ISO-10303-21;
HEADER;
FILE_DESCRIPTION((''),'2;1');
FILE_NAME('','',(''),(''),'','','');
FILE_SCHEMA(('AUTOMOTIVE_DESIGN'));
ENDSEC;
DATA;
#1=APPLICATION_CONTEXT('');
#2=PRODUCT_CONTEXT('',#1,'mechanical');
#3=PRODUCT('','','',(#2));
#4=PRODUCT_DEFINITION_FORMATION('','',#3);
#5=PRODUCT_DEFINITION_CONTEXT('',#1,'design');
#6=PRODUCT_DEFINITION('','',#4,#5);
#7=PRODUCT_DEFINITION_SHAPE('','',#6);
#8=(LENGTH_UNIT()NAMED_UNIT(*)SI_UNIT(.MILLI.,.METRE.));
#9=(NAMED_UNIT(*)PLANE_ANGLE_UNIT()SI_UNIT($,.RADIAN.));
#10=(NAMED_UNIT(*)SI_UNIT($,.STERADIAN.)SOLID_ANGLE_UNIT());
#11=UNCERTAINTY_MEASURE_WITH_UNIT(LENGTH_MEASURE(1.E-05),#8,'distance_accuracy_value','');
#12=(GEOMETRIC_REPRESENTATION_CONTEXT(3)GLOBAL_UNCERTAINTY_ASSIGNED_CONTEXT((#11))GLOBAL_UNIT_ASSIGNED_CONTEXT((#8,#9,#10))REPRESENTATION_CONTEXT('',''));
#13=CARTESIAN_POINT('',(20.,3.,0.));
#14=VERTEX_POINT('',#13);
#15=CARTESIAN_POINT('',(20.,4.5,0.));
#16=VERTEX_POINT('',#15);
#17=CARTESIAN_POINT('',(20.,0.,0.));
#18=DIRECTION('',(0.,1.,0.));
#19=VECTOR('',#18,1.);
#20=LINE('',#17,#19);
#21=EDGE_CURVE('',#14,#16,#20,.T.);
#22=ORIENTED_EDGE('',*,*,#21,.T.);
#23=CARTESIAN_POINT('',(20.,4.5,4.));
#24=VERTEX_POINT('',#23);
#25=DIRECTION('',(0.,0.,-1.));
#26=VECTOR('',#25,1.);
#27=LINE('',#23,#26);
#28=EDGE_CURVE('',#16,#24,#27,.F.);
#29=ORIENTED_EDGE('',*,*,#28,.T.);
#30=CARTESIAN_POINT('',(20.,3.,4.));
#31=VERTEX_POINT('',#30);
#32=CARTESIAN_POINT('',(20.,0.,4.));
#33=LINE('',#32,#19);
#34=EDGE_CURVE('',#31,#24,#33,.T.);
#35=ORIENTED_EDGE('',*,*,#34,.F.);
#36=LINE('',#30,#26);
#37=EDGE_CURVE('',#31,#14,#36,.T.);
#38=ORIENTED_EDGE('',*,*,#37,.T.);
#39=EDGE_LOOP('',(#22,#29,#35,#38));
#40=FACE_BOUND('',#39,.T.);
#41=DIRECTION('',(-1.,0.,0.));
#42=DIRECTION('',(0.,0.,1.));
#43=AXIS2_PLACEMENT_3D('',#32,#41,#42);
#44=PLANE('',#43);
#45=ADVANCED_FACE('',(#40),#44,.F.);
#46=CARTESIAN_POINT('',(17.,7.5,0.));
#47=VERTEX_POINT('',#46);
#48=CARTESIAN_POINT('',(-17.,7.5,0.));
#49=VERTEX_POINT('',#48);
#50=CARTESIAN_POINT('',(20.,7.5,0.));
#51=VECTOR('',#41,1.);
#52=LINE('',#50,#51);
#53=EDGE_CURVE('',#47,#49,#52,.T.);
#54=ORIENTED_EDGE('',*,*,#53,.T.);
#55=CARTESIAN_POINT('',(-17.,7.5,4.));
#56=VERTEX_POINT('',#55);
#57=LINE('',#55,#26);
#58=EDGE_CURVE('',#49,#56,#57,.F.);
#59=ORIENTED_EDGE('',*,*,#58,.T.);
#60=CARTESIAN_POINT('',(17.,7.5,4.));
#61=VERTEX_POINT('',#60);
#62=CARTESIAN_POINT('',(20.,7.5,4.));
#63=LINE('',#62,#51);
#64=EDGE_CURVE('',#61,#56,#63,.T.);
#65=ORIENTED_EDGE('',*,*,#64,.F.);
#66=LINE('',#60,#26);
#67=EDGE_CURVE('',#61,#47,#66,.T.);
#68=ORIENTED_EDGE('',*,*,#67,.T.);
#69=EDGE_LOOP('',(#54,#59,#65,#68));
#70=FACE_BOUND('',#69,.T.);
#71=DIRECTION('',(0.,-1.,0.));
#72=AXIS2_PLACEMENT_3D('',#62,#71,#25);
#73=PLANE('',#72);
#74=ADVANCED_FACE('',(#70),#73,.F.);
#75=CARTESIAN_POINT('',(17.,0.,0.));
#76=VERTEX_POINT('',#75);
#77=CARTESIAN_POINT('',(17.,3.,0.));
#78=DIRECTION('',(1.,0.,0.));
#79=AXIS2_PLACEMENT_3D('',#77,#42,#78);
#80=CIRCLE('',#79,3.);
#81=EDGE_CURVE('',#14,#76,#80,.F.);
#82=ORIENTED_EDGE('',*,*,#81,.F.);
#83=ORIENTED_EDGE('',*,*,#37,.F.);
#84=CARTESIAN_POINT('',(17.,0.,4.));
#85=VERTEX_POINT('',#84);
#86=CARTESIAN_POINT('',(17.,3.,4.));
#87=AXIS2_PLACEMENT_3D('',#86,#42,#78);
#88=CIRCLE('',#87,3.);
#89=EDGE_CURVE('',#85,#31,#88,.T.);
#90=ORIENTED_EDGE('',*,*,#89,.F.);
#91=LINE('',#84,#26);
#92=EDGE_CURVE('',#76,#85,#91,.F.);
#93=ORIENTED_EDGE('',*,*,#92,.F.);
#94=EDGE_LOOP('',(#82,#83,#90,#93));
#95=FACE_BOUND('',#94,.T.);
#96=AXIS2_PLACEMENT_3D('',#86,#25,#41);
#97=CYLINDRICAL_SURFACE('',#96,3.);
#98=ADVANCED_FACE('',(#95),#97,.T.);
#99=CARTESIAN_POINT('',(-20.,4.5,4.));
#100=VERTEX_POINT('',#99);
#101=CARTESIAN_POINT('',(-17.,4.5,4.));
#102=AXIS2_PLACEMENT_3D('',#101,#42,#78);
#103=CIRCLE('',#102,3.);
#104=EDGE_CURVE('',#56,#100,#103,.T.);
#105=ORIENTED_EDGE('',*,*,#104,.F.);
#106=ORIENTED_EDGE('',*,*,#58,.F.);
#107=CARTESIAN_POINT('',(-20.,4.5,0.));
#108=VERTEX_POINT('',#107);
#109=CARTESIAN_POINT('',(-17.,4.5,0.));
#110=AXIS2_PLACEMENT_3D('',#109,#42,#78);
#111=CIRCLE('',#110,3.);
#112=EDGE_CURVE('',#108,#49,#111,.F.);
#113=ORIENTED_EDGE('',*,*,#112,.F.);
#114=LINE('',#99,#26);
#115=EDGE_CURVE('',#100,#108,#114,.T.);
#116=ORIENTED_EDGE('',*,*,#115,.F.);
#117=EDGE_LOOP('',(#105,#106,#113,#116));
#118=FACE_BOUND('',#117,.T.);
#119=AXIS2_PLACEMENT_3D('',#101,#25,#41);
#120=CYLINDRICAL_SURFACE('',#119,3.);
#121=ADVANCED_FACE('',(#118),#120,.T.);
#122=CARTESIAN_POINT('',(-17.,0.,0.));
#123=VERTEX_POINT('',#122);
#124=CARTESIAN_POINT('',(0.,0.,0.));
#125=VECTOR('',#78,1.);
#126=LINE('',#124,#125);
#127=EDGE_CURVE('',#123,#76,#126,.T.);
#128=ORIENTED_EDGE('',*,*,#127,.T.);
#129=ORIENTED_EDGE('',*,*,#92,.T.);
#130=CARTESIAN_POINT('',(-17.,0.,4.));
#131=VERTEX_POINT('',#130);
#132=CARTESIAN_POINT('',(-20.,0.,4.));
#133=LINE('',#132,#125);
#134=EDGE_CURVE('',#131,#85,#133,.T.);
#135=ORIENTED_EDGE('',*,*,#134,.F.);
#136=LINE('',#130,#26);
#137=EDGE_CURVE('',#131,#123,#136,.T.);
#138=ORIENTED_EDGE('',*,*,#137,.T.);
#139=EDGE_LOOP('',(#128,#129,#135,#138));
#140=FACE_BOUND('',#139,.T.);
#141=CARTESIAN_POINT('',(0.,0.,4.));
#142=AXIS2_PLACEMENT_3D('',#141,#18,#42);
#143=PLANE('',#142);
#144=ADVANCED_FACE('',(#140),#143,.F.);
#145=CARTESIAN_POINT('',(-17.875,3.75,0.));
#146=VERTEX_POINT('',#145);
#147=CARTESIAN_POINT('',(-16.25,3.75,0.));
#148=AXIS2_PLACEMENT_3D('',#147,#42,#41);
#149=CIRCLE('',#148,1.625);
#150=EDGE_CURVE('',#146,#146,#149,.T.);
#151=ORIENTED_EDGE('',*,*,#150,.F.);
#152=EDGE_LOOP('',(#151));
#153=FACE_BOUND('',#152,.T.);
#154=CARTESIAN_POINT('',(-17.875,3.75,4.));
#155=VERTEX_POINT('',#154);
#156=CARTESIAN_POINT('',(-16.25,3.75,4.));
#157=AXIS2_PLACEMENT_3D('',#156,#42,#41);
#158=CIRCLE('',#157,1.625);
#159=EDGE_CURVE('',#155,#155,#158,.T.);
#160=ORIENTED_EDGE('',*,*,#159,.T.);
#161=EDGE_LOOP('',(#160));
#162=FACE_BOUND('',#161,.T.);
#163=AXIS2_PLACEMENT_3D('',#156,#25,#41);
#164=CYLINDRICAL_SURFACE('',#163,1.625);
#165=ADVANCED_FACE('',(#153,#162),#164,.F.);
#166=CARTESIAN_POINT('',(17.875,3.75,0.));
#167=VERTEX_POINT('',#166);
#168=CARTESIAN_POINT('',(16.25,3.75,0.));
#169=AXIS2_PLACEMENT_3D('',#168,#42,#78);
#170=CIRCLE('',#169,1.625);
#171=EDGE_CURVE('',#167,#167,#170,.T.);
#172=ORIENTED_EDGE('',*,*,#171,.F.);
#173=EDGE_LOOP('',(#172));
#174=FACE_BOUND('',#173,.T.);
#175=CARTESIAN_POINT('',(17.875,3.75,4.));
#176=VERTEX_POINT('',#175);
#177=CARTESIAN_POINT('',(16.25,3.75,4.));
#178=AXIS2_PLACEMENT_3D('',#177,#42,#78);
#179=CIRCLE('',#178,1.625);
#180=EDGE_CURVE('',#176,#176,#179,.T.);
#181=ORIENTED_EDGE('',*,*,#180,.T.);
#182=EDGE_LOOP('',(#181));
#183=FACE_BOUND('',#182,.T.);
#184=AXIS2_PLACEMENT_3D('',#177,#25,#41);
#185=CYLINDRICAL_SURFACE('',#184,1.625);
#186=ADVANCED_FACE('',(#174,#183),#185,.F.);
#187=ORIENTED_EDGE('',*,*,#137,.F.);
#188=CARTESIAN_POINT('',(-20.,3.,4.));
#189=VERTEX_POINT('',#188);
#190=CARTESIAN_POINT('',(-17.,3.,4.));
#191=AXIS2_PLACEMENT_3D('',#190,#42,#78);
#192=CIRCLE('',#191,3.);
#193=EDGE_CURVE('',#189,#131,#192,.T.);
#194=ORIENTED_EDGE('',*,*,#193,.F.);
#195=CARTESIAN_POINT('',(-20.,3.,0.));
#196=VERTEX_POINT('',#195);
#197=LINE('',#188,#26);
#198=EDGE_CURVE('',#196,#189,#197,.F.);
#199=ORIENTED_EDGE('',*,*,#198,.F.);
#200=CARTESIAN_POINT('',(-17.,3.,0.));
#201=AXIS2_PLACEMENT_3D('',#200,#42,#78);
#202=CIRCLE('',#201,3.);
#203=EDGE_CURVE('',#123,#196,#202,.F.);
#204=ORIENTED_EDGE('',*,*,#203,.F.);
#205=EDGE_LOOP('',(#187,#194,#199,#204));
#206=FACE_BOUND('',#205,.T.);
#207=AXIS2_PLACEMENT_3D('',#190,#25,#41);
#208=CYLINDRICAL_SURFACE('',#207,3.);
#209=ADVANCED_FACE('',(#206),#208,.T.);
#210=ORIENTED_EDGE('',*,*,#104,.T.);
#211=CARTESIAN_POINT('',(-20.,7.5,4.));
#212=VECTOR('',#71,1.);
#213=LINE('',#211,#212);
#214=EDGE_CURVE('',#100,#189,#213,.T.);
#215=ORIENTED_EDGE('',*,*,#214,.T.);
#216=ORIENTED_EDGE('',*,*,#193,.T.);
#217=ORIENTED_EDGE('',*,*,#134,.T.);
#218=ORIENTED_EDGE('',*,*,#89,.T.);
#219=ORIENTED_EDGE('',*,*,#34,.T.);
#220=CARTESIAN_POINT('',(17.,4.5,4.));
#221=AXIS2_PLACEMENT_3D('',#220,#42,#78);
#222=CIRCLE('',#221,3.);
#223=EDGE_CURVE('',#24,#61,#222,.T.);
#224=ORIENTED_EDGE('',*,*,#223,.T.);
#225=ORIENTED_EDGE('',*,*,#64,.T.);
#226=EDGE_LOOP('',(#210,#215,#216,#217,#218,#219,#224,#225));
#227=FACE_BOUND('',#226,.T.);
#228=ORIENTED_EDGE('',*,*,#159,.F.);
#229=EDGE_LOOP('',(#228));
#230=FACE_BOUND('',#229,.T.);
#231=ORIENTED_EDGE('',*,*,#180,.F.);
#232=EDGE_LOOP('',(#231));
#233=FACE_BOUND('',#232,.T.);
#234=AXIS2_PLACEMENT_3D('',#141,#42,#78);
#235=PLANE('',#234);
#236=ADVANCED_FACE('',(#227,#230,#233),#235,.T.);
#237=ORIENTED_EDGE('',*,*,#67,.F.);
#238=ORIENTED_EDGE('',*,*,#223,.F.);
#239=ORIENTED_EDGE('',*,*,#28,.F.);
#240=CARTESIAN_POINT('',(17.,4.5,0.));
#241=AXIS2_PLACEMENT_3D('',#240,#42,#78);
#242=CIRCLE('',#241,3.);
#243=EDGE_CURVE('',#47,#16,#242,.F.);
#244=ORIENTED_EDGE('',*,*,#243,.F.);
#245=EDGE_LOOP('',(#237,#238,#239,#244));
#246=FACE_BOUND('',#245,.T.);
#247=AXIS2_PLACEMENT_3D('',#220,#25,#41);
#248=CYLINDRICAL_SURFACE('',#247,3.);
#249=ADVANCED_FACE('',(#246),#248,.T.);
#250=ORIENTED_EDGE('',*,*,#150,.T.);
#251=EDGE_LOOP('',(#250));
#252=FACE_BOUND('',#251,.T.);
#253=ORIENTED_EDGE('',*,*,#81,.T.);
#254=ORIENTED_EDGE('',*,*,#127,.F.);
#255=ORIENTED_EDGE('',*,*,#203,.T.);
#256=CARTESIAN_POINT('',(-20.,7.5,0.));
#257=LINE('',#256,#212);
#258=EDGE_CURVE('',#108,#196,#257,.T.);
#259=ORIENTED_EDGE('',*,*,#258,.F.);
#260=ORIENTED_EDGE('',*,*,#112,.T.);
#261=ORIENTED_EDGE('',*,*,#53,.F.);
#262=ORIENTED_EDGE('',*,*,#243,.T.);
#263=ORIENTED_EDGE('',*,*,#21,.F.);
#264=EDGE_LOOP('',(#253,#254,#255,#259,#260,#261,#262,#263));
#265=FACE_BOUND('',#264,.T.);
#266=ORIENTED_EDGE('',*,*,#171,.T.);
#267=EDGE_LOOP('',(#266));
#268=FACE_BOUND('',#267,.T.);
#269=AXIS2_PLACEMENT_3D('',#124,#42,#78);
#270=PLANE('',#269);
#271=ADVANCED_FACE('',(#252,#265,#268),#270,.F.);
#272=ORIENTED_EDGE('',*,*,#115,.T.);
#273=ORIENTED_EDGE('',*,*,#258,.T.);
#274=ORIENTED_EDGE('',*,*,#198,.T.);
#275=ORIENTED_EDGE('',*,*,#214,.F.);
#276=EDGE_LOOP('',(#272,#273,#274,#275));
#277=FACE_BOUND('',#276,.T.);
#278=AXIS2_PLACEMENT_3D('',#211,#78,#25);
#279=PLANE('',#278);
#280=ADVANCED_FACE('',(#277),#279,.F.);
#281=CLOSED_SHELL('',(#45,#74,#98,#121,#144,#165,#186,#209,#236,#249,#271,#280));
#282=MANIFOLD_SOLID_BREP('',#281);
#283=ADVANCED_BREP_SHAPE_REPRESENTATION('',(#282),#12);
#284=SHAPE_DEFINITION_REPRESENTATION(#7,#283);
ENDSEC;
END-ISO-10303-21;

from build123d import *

# Parameters (mm, degrees)
SKETCH2_R           = 1.625
BOSS_EXTRUDE1_DEPTH = 4
FILLET1_R           = 3


with BuildPart() as part:
    # Sketch2 → Boss-Extrude1 (new body)
    with BuildSketch(Plane.XY):
        Polygon((0, 0), (20, 0), (20, 7.5), (-20, 7.5), (-20, 0), align=None)
        with Locations((16.25, 3.75)):
            Circle(SKETCH2_R, mode=Mode.SUBTRACT)
        with Locations(Location((-16.25, 3.75, 0), (0, 0, 180))):
            Circle(SKETCH2_R, mode=Mode.SUBTRACT)
    extrude(amount=BOSS_EXTRUDE1_DEPTH)

    # Fillet1
    fillet1_edges = [part.edges().sort_by_distance(p)[0] for p in [
        (-20, 0, 2),
        (-20, 7.5, 2),
        (20, 7.5, 2),
        (20, 0, 2),
    ]]
    fillet(fillet1_edges, radius=FILLET1_R)


solid = part.part
